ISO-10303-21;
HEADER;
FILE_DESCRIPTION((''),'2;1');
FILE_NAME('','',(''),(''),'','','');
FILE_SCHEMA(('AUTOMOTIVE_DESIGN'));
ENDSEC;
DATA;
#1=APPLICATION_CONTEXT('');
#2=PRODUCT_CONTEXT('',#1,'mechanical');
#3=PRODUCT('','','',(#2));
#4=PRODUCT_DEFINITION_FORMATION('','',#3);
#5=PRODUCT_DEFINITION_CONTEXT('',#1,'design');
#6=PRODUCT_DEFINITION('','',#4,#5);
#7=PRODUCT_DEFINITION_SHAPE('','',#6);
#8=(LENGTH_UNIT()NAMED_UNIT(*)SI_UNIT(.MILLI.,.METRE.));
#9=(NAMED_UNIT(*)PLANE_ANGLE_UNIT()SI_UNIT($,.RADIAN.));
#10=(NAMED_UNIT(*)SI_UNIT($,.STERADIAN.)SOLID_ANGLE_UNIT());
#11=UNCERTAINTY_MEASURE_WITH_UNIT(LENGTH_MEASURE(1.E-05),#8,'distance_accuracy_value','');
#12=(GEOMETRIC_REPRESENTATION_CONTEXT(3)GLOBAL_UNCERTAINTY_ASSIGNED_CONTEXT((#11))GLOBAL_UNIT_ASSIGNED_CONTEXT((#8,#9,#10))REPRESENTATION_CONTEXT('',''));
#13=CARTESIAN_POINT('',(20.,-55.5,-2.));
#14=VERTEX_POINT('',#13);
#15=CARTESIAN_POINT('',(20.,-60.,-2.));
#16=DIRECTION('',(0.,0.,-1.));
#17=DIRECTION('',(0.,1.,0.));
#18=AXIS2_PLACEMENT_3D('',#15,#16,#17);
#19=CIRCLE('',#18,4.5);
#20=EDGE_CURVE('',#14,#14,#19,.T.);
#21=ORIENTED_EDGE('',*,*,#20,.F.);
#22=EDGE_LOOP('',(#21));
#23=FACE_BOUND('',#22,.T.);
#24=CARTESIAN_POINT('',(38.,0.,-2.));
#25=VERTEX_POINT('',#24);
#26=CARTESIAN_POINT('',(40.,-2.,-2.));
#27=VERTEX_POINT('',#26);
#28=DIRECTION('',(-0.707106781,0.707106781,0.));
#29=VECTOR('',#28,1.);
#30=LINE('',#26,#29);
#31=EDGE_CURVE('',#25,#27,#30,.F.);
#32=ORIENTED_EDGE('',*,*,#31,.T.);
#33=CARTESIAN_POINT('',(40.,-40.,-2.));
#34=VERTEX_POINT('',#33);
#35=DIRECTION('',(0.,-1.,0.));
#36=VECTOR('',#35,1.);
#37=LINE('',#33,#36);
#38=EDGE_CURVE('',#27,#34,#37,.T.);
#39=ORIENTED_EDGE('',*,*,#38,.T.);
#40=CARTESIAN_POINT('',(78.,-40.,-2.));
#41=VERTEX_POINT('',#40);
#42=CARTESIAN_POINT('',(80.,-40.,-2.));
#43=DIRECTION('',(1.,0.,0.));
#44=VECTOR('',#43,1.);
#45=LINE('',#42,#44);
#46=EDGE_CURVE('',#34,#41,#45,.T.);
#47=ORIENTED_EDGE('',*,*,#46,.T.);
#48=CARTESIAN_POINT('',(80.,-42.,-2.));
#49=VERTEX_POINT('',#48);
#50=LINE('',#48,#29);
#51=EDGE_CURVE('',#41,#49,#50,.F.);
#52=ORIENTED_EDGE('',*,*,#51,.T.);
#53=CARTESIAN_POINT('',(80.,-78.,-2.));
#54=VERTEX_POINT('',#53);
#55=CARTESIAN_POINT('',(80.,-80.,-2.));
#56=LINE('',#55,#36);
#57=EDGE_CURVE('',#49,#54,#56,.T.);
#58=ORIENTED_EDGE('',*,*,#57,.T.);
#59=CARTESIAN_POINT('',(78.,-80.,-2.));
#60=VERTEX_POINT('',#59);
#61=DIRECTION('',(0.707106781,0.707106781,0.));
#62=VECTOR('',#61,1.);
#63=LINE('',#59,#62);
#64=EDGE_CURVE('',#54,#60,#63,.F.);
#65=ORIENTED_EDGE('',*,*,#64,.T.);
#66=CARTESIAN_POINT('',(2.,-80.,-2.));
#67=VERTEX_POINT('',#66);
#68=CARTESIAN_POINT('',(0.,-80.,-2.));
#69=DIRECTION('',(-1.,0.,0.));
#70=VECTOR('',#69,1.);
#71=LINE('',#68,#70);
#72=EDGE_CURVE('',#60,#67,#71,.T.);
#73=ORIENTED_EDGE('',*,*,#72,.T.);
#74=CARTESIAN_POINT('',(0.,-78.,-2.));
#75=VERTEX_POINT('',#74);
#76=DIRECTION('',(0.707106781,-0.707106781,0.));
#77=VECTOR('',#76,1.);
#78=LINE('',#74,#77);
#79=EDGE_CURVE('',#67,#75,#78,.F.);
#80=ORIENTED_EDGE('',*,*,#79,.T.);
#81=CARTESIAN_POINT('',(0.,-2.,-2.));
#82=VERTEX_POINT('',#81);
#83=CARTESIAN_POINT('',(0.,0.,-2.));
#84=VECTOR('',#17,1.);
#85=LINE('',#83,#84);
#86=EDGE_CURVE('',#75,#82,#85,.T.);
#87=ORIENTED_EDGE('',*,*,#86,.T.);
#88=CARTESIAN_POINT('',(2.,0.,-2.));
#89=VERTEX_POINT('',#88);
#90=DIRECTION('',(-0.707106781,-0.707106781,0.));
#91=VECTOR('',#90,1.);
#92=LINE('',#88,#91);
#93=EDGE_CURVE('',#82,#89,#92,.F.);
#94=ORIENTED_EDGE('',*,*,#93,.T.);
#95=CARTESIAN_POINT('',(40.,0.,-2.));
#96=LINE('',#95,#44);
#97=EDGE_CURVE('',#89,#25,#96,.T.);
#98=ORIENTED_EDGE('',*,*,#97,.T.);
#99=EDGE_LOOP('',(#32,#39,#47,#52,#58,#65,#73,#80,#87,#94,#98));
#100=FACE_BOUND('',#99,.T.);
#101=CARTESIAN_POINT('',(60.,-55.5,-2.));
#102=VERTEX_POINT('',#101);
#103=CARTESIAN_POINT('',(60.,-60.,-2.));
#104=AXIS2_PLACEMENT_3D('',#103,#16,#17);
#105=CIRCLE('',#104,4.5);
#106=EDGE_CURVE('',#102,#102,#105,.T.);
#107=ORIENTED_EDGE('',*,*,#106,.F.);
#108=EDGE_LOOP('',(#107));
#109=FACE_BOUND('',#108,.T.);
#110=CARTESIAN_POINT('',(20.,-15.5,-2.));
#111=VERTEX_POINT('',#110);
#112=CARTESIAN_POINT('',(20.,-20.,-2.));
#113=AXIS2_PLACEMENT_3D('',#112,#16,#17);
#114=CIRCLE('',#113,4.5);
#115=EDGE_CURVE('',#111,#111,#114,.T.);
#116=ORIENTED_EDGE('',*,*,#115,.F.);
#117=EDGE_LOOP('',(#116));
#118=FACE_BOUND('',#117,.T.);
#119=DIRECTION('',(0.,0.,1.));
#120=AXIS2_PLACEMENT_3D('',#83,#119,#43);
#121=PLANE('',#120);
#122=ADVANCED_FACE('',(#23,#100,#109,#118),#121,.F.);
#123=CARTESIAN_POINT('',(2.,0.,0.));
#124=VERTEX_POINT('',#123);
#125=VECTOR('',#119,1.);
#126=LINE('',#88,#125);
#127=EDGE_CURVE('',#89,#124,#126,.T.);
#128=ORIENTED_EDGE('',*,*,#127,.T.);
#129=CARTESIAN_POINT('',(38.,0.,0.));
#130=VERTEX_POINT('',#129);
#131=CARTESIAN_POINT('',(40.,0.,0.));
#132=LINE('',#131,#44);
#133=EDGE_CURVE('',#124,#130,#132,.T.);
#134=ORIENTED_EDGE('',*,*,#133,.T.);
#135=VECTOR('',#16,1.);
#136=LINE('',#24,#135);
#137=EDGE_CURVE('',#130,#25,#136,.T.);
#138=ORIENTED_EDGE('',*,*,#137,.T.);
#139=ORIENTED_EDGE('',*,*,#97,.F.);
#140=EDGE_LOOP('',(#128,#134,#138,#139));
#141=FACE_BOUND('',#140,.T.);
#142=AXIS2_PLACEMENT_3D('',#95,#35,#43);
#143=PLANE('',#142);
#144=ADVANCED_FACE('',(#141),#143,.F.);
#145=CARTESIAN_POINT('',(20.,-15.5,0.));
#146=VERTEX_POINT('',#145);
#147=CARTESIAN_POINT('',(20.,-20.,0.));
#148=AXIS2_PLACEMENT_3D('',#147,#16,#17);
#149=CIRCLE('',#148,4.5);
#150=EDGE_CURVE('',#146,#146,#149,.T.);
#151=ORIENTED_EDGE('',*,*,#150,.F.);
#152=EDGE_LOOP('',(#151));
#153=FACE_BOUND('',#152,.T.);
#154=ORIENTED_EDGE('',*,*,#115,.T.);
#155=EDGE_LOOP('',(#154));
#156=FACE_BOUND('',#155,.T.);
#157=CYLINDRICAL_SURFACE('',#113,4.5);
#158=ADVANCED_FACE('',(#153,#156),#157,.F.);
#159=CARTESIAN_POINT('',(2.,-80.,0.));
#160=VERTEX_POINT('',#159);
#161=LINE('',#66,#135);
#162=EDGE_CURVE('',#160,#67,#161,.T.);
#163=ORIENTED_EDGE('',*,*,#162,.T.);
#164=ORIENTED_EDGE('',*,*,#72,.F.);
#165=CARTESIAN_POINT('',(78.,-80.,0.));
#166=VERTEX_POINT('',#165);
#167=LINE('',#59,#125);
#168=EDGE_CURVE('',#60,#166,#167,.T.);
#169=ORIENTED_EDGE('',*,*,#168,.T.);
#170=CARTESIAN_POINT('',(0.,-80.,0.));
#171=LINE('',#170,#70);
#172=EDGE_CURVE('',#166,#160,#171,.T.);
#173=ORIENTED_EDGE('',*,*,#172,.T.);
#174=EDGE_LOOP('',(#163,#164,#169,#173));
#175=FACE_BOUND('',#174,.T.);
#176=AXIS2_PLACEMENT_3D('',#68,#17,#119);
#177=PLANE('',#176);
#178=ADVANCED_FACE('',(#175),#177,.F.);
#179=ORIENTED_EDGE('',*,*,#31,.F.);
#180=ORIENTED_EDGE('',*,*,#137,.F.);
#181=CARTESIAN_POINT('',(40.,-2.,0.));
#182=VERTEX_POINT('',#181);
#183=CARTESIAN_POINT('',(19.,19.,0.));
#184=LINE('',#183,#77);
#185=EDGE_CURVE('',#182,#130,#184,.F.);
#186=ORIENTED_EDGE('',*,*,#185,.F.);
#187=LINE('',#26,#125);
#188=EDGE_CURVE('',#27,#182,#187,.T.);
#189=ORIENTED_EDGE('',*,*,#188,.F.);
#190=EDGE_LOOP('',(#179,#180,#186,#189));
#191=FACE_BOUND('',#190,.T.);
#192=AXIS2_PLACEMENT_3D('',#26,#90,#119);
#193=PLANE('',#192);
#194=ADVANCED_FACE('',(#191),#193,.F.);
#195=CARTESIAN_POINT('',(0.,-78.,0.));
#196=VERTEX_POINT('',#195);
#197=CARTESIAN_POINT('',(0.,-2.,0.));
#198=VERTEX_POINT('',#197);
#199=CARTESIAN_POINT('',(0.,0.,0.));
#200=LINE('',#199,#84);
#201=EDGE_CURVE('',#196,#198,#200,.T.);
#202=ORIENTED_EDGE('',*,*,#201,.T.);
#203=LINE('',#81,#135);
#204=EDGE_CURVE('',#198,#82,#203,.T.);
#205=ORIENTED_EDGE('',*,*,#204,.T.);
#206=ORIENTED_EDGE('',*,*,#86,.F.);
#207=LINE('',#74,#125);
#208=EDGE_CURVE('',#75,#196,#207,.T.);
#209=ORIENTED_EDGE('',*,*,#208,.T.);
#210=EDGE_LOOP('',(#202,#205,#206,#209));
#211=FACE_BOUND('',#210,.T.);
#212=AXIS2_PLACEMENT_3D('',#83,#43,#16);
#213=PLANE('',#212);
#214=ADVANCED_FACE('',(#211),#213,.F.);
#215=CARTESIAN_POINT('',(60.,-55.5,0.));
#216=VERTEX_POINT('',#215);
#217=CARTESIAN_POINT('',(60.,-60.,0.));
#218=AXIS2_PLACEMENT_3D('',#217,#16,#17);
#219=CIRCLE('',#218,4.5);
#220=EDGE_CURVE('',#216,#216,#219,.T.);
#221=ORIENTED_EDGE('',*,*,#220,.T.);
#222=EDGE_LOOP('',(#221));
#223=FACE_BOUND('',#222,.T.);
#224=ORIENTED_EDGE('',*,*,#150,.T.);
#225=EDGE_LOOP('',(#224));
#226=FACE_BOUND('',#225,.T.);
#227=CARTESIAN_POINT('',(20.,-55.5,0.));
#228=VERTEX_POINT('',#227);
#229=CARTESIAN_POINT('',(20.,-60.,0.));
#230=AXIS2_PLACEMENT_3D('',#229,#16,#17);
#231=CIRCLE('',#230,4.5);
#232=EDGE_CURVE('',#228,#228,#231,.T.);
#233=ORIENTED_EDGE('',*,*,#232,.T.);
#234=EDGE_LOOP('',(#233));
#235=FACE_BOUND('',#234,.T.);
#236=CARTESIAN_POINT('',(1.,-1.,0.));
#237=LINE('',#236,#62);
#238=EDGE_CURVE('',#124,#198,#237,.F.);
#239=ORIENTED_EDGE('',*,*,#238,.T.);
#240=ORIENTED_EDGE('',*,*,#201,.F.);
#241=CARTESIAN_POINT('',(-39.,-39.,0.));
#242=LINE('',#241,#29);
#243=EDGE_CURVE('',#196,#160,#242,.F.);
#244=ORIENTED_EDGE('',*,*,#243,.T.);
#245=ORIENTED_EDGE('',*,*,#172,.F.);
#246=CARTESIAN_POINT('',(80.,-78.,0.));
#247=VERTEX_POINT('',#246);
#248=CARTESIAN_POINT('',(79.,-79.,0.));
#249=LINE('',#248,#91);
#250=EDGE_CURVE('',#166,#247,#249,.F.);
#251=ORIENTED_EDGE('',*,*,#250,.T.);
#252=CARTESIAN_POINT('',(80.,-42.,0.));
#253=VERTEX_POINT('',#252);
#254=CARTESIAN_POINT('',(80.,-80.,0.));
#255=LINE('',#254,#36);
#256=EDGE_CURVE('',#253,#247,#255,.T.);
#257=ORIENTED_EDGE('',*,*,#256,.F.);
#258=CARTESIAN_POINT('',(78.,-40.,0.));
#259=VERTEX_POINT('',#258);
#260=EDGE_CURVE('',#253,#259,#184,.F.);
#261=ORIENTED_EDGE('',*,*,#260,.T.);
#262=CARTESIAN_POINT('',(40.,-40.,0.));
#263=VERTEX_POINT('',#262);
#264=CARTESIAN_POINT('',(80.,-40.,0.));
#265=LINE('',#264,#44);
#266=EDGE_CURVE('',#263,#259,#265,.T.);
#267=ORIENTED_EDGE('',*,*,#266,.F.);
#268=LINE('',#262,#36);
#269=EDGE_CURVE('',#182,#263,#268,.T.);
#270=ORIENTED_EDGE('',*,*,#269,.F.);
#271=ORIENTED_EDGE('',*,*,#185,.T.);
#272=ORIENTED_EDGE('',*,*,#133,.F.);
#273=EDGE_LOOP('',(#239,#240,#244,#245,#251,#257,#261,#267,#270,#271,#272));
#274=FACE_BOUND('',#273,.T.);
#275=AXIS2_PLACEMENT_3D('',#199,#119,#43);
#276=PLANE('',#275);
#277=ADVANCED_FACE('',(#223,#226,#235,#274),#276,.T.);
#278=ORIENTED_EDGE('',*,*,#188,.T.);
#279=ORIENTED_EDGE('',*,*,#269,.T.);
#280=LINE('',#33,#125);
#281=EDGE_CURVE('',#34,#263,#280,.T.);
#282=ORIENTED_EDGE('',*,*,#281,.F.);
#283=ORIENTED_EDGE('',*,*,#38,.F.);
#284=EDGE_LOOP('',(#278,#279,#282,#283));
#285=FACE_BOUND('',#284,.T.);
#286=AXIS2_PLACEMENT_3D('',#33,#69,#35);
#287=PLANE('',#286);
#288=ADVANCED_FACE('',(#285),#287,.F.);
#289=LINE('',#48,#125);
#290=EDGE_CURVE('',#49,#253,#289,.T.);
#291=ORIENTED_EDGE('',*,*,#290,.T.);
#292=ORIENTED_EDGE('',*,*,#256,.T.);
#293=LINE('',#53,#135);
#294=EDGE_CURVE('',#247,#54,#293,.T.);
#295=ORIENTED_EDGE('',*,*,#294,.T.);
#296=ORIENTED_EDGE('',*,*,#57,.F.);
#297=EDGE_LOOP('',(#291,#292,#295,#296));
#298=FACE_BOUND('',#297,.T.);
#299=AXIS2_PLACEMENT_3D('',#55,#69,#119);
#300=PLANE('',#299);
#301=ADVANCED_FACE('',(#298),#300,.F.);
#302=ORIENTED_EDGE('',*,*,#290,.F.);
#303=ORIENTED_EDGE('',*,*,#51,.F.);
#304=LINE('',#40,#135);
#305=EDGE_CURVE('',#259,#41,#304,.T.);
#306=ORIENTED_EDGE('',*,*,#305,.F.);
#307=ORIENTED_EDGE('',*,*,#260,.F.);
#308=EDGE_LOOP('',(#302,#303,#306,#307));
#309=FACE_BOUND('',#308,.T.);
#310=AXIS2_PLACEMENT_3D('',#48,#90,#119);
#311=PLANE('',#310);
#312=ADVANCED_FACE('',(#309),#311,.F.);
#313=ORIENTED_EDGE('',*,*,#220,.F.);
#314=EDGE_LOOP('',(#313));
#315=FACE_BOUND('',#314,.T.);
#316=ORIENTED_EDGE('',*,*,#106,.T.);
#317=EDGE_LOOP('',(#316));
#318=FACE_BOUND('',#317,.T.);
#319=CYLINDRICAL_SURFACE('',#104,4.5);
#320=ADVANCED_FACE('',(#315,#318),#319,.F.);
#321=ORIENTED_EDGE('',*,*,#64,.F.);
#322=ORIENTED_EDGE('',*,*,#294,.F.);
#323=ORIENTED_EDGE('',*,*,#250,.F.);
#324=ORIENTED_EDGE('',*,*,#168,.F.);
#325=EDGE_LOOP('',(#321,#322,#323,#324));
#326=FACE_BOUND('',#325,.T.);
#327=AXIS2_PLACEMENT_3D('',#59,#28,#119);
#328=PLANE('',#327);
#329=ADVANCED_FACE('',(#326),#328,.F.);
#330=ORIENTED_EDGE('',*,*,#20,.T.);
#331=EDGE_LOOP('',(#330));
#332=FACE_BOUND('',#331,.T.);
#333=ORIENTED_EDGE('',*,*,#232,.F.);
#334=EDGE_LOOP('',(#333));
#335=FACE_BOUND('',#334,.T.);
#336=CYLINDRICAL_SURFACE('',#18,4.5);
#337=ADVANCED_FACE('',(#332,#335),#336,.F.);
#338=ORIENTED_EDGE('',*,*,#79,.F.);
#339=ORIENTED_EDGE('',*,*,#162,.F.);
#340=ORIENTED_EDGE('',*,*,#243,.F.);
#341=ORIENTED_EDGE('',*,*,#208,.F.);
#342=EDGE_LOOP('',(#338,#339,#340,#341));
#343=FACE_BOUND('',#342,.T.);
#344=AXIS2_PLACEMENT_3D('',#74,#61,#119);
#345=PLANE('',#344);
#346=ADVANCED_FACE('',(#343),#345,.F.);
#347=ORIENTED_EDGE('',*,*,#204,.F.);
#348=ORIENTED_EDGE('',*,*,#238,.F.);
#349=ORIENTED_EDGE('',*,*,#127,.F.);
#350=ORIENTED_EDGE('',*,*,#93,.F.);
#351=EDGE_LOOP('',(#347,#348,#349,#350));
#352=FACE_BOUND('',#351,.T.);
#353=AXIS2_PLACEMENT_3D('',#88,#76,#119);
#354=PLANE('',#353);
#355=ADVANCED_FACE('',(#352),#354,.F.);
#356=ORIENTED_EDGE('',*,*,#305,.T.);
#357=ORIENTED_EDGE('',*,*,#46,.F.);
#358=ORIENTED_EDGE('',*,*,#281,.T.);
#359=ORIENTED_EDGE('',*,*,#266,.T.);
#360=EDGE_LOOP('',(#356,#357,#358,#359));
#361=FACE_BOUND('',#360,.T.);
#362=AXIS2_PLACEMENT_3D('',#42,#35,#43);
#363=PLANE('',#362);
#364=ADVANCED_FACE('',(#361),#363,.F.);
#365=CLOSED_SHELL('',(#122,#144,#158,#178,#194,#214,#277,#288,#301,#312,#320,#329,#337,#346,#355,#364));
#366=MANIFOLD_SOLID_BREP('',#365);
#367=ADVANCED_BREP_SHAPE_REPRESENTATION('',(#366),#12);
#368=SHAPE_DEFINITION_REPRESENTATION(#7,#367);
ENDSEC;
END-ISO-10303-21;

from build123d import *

# Parameters (mm, degrees)
EXTRUDE_1_DEPTH   = 2
HOLE_WIZARD_M81_D = 9
CHAMFER_1_SIZE    = 2


with BuildPart() as part:
    # Эскиз1 → Бобышка-Вытянуть1 (new body)
    with BuildSketch(Plane(origin=(0, 0, 0), x_dir=(1, 0, 0), z_dir=(0, 0, -1))):
        Polygon((0, 0), (0, 80), (80, 80), (80, 40), (40, 40), (40, 0), align=None)
    extrude(amount=EXTRUDE_1_DEPTH)

    # Отверстие с зазором M81 (through all)
    with Locations(Plane(origin=(0, 0, -2), x_dir=(1, 0, 0), z_dir=(0, 0, -1))):
        with Locations((20, 60), (20, 20), (60, 60)):
            Hole(HOLE_WIZARD_M81_D / 2)

    # Фаска1
    chamfer_1_edges = [part.edges().sort_by_distance(p)[0] for p in [
        (0, 0, -1),
        (0, -80, -1),
        (80, -80, -1),
        (80, -40, -1),
        (40, 0, -1),
    ]]
    chamfer(chamfer_1_edges, length=CHAMFER_1_SIZE)


solid = part.part
